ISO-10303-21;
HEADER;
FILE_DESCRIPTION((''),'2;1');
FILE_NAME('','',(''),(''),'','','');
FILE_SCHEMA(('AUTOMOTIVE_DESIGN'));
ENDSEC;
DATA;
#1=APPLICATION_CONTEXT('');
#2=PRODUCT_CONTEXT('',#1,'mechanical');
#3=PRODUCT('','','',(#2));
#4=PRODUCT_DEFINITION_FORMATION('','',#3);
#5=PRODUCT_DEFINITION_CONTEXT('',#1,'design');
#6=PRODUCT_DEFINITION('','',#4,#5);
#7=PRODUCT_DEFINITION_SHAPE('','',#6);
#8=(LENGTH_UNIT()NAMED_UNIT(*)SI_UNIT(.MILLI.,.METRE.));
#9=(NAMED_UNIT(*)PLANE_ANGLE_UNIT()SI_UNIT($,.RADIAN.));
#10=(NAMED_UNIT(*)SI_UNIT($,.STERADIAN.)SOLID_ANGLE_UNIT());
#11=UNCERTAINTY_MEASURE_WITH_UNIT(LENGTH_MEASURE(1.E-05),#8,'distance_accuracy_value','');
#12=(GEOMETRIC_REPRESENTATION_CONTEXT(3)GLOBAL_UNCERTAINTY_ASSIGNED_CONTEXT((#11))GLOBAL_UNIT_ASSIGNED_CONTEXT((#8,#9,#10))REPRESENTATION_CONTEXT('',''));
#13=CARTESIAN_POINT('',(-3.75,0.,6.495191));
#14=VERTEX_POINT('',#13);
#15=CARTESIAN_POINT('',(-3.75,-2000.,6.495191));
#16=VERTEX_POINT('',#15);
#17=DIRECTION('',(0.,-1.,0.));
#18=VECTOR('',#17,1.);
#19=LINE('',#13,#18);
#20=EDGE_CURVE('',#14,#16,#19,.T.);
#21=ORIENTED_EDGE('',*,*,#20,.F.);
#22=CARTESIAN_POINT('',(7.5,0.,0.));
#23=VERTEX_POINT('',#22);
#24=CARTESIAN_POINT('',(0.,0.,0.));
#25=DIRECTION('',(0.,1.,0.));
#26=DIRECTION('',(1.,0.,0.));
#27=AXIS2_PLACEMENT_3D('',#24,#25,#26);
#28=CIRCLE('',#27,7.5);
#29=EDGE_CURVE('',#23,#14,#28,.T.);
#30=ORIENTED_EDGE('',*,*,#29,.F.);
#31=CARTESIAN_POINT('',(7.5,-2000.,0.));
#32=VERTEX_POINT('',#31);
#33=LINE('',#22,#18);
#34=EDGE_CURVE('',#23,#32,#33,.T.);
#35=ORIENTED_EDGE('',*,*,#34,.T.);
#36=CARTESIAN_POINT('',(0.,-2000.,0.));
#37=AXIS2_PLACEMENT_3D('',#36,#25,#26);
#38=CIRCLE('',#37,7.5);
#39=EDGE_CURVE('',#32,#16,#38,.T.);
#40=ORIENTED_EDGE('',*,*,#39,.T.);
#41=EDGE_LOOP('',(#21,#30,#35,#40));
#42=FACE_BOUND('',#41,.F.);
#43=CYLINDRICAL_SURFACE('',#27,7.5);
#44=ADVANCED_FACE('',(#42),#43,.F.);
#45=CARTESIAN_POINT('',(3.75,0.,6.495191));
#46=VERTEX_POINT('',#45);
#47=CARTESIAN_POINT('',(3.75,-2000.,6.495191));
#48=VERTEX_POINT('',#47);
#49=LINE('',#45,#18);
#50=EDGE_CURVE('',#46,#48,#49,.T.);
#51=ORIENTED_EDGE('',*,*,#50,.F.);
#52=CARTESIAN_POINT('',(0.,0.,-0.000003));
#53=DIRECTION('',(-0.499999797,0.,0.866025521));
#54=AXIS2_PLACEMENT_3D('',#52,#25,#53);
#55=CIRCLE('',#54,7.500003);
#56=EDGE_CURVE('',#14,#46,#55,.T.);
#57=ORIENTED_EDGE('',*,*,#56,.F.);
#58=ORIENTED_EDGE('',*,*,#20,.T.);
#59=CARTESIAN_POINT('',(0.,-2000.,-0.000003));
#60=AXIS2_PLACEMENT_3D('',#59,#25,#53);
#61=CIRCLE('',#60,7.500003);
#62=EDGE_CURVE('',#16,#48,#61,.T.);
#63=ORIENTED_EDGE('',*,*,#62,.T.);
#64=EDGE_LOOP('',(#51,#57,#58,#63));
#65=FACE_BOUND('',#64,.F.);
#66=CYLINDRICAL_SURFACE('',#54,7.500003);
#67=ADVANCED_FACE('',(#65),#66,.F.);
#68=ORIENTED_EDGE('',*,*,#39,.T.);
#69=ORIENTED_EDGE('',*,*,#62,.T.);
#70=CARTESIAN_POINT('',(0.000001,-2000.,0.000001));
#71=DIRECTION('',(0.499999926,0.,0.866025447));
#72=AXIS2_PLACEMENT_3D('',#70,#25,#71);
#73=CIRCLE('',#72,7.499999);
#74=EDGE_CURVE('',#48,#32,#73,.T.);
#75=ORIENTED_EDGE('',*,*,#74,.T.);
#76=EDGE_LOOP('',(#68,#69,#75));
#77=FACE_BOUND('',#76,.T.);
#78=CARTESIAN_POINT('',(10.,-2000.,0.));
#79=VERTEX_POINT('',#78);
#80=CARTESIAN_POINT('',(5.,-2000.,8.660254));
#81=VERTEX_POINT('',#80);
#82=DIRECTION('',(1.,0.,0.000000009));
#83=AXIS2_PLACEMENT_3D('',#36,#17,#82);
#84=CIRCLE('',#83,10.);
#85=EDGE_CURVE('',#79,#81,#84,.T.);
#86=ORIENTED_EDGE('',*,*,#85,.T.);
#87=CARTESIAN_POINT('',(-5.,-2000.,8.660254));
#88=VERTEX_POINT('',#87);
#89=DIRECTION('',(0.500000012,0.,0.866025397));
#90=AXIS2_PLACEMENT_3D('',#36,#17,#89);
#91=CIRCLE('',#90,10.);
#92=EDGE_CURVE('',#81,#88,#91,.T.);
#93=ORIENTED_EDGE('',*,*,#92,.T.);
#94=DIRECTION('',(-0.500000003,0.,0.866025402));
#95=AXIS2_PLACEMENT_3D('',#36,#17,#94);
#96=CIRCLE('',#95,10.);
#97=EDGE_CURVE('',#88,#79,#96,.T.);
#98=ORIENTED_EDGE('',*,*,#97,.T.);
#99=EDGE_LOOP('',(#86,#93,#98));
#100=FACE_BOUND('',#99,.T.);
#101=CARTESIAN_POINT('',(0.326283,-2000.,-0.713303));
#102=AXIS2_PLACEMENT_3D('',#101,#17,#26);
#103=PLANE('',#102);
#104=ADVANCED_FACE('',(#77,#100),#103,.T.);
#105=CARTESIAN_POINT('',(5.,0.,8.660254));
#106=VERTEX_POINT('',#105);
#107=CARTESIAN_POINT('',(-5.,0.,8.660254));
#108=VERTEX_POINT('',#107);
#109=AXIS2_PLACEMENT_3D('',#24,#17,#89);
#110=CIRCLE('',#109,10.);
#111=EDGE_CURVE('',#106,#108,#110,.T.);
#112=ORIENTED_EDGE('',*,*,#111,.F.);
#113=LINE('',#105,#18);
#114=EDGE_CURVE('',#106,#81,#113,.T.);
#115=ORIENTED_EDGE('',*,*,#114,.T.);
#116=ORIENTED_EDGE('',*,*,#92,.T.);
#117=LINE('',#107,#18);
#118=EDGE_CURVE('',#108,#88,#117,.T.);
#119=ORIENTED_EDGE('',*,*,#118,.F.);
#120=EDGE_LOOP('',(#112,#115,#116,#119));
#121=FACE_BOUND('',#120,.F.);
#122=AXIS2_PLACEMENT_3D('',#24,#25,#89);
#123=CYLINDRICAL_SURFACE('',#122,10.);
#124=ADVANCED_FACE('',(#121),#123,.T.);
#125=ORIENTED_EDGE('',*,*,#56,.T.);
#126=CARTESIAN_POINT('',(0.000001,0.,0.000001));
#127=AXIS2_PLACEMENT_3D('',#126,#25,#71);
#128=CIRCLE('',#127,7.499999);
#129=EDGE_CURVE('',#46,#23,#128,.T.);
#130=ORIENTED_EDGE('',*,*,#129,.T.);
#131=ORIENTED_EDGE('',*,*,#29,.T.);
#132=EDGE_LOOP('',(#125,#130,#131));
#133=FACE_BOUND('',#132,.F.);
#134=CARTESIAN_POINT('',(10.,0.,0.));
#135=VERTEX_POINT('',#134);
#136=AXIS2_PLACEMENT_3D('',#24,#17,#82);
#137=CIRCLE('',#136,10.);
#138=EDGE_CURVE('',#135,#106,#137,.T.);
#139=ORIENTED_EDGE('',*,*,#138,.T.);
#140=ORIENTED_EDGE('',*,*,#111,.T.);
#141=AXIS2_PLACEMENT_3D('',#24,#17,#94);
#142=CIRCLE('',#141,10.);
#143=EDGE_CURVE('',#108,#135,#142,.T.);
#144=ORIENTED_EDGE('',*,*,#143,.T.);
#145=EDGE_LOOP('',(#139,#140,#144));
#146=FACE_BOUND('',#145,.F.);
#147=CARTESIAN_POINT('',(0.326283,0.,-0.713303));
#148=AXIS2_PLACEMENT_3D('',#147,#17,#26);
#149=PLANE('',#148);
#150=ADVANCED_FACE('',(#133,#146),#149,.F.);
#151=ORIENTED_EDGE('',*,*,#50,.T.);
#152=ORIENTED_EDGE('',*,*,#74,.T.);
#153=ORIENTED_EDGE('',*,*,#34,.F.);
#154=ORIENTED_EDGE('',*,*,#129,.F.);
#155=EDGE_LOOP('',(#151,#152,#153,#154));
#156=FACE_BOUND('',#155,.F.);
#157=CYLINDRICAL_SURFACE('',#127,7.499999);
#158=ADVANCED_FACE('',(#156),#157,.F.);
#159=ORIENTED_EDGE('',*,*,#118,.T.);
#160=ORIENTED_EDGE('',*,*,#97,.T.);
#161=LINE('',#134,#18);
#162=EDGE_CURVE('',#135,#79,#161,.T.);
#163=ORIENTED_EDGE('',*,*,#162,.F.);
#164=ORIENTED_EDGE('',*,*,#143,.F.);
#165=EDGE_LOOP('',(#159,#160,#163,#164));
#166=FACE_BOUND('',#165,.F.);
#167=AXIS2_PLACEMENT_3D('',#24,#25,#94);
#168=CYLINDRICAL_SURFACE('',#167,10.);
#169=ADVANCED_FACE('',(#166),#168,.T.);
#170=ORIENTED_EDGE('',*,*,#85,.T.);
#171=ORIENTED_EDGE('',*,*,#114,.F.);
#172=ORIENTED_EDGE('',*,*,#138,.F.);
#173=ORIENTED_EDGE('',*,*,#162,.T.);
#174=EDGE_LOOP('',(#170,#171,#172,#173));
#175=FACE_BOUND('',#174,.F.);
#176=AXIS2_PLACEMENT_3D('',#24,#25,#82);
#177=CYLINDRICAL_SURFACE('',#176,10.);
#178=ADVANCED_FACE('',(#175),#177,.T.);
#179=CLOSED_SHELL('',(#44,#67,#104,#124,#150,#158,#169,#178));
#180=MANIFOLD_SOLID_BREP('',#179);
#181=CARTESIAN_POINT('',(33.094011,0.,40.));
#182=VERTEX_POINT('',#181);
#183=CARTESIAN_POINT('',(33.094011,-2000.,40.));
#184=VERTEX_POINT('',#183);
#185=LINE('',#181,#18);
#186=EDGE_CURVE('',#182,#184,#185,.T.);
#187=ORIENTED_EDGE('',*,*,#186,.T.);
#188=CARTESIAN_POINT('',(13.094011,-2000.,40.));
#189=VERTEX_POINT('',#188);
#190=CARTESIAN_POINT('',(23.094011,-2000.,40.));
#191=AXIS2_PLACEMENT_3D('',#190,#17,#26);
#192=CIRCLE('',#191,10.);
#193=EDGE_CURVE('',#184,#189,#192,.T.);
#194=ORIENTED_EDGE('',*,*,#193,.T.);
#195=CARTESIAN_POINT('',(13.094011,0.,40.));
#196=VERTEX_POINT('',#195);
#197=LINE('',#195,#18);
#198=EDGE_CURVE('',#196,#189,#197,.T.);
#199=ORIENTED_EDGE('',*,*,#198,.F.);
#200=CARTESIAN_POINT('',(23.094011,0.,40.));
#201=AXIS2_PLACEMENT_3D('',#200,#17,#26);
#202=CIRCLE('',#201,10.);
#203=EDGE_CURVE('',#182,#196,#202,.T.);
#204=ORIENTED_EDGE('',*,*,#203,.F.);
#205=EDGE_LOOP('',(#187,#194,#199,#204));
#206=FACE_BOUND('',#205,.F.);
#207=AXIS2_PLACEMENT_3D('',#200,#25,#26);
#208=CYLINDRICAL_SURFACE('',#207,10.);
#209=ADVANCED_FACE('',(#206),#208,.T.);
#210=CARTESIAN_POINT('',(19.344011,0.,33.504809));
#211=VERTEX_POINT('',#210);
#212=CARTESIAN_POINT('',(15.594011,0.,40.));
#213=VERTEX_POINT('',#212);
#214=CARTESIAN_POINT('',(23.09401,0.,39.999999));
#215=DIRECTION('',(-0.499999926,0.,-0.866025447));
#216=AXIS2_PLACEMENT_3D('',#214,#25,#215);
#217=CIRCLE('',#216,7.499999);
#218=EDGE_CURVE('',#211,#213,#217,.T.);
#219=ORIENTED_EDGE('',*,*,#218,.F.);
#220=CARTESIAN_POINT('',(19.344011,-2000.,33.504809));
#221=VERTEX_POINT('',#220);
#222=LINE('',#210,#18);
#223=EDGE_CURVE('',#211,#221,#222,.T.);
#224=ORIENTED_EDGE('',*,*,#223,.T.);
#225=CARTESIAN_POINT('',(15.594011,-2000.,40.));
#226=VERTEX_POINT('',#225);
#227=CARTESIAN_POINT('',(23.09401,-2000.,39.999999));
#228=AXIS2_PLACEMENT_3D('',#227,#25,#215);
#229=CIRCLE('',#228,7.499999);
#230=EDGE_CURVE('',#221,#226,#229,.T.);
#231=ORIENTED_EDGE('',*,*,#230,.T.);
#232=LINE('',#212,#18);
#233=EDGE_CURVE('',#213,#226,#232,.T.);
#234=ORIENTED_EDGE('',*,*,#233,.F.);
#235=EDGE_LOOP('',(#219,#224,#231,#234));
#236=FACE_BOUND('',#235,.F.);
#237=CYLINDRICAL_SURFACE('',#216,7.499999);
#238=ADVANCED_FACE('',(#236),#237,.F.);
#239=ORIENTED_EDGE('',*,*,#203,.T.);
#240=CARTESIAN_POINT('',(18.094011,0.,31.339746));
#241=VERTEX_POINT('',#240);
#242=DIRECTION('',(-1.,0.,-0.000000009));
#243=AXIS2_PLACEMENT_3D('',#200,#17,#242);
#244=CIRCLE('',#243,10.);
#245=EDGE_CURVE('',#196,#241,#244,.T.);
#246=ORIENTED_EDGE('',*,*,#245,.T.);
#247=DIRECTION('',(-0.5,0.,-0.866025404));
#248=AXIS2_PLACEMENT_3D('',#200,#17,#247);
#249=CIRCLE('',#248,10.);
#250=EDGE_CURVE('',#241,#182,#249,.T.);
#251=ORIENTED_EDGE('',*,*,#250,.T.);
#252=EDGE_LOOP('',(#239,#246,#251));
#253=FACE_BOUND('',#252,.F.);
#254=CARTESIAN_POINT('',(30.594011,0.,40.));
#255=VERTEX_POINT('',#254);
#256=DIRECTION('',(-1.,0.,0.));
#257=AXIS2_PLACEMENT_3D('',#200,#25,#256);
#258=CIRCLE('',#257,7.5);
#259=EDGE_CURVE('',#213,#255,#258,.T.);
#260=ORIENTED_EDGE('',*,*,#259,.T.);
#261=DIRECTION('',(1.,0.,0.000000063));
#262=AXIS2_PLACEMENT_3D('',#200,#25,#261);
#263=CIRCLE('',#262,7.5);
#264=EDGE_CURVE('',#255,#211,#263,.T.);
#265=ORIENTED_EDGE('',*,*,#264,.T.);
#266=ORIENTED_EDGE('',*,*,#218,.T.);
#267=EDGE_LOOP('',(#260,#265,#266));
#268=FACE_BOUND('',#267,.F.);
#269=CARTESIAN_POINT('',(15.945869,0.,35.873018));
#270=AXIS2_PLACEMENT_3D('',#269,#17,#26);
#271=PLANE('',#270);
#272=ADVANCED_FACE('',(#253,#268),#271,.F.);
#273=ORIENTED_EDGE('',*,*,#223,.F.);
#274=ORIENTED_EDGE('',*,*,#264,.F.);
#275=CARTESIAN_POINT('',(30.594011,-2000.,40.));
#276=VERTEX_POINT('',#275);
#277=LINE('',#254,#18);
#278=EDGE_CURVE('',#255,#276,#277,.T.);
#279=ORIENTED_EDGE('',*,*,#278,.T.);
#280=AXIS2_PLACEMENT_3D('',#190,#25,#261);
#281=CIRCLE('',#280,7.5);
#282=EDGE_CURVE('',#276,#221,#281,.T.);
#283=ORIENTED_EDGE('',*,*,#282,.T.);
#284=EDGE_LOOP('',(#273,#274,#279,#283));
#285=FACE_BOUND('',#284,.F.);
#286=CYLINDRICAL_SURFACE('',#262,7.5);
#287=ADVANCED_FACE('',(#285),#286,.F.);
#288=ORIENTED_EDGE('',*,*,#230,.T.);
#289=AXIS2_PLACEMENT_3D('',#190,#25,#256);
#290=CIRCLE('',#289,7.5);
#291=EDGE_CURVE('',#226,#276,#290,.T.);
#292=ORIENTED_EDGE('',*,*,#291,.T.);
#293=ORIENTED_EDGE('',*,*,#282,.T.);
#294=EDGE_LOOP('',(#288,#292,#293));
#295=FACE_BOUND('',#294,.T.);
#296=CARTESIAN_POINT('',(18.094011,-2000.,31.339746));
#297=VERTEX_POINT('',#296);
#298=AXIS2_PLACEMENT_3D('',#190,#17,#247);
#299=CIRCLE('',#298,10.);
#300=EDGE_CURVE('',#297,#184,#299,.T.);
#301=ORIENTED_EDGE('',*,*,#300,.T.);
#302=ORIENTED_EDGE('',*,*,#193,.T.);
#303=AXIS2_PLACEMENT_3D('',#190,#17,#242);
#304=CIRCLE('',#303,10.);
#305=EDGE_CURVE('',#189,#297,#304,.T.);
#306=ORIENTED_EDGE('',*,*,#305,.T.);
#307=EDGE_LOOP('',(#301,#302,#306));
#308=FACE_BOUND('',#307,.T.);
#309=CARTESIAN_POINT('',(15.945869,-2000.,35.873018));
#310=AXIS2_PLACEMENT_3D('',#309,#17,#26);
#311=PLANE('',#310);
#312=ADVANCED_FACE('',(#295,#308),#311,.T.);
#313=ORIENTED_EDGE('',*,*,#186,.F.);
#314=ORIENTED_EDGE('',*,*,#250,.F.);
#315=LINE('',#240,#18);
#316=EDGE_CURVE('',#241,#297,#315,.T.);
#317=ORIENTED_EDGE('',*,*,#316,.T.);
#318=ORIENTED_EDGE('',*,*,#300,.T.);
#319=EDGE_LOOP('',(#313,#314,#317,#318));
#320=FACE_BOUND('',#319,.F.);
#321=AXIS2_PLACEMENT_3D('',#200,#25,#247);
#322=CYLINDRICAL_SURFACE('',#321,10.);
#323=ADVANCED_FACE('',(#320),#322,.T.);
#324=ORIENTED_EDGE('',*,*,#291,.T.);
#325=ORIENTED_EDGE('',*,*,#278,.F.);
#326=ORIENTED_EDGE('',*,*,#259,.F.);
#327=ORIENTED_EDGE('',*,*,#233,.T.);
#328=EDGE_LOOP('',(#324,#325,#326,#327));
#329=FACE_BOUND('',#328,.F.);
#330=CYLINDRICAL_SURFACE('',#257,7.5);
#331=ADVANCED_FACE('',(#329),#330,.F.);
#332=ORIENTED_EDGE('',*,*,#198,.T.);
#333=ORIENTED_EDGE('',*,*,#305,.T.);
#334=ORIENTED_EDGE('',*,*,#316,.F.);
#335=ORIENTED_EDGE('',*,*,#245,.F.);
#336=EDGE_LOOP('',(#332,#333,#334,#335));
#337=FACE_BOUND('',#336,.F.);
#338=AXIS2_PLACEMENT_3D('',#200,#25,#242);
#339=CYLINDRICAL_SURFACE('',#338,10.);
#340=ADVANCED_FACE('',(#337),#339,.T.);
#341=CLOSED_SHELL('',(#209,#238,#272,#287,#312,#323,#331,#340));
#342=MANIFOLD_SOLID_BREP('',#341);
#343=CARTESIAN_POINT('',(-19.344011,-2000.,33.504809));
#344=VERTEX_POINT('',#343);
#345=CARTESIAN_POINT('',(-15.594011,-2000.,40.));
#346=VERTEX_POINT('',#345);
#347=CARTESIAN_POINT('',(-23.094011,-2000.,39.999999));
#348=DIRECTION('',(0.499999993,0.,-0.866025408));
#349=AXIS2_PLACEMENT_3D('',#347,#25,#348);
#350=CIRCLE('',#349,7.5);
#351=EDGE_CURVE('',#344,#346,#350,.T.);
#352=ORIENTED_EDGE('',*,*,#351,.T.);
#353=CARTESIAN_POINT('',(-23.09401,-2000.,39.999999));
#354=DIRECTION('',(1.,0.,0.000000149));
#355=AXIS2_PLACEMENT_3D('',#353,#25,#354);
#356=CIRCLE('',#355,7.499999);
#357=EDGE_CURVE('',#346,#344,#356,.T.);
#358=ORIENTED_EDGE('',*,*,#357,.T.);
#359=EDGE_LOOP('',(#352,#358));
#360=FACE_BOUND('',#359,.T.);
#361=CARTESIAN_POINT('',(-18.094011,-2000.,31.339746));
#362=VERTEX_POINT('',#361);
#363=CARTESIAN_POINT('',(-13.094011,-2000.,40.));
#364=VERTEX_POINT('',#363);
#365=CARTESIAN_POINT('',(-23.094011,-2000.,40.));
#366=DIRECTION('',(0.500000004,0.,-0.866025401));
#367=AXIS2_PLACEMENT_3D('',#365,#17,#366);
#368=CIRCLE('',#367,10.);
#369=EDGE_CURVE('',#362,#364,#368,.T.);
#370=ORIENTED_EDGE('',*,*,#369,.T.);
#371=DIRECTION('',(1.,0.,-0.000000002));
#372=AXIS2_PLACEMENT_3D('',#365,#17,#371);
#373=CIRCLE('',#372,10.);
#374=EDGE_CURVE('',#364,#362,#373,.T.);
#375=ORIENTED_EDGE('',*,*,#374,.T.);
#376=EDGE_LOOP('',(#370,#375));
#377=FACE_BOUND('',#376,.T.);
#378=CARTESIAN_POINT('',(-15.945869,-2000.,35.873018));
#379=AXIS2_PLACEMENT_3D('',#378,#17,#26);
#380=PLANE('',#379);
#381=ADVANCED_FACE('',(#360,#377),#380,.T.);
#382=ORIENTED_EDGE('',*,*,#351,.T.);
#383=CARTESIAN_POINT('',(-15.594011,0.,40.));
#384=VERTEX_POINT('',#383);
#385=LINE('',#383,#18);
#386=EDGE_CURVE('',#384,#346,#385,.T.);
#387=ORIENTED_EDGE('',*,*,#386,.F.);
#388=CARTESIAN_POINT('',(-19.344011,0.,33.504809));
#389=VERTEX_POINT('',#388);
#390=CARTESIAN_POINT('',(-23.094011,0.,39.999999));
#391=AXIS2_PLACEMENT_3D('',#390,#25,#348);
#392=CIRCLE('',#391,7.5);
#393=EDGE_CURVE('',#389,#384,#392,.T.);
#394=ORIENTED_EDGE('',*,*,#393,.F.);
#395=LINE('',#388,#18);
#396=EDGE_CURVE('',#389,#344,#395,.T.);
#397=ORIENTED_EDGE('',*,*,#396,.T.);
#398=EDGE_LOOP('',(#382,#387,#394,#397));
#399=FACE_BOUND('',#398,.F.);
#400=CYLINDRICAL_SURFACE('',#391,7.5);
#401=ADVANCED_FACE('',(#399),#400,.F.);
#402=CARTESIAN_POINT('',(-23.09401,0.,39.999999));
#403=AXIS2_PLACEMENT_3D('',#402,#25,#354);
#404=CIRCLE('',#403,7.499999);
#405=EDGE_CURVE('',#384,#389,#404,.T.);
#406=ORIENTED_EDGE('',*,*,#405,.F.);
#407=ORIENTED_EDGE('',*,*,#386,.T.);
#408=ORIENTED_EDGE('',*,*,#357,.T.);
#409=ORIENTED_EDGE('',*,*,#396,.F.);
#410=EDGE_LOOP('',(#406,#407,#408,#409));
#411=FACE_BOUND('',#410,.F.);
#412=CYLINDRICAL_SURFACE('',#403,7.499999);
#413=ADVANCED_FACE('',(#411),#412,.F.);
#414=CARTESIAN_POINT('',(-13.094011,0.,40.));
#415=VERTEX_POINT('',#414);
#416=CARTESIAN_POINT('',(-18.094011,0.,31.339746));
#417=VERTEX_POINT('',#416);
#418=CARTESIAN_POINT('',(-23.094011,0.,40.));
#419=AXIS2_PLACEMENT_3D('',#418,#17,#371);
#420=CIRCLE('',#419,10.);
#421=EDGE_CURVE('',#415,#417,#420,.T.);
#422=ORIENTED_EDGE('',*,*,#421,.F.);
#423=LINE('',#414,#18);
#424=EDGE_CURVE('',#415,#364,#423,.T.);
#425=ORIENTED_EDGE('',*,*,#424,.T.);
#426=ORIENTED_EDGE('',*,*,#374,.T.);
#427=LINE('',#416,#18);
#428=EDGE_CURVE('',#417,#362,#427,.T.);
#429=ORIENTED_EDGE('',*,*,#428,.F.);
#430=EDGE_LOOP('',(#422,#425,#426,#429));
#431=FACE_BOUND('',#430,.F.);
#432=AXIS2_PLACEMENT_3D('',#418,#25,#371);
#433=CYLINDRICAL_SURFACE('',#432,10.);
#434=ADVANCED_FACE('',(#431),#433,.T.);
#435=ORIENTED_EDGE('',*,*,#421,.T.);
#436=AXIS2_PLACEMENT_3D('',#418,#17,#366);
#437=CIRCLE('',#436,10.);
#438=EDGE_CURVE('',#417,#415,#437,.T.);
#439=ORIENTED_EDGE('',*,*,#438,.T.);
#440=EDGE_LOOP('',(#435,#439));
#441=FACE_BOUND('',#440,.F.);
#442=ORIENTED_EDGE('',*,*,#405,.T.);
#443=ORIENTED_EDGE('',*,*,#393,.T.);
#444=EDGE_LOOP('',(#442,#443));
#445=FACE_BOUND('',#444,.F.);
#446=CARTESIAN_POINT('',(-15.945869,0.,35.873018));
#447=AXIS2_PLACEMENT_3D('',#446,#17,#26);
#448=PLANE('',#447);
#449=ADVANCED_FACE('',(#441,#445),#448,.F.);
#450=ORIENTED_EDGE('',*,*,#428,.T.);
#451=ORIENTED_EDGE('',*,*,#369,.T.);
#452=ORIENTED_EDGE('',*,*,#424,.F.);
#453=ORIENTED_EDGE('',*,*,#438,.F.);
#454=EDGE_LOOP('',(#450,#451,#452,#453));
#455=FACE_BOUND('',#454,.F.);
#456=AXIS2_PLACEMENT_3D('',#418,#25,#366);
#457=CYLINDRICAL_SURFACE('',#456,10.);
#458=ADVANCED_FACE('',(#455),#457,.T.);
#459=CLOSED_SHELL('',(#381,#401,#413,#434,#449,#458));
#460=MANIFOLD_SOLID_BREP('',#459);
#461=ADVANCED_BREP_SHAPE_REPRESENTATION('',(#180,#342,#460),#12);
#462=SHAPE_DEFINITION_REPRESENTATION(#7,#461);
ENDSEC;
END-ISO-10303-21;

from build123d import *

# Parameters (mm, degrees)
F1_DEPTH = 2000


with BuildPart() as f1:
    # F0 (on Front) → F1 (new body)
    with BuildSketch(Plane.XZ):
        with BuildLine():
            Line((-19.344011, 33.504809), (-18.094011, 31.339746))
            ThreePointArc((-18.094011, 31.339746), (-14.433757, 35), (-13.094011, 40))
            Line((-13.094011, 40), (-15.594011, 40))
            ThreePointArc((-15.594011, 40), (-16.59882, 36.25), (-19.344011, 33.504809))
        make_face()
        with BuildLine():
            ThreePointArc((-13.094011, 40), (-31.754265, 45), (-18.094011, 31.339746))
            Line((-18.094011, 31.339746), (-19.344011, 33.504809))
            ThreePointArc((-19.344011, 33.504809), (-29.589201, 43.75), (-15.594011, 40))
            Line((-15.594011, 40), (-13.094011, 40))
        make_face()
        with BuildLine():
            ThreePointArc((13.094011, 40), (14.433757, 35), (18.094011, 31.339746))
            Line((18.094011, 31.339746), (19.344011, 33.504809))
            ThreePointArc((19.344011, 33.504809), (16.59882, 36.25), (15.594011, 40))
            Line((15.594011, 40), (13.094011, 40))
        make_face()
        with BuildLine():
            Line((19.344011, 33.504809), (18.094011, 31.339746))
            ThreePointArc((18.094011, 31.339746), (28.094011, 31.339746), (33.094011, 40))
            ThreePointArc((33.094011, 40), (23.094011, 50), (13.094011, 40))
            Line((13.094011, 40), (15.594011, 40))
            ThreePointArc((15.594011, 40), (23.094011, 47.5), (30.594011, 40))
            ThreePointArc((30.594011, 40), (26.844011, 33.504809), (19.344011, 33.504809))
        make_face()
        with BuildLine():
            ThreePointArc((-5, 8.660254), (-5, -8.660254), (10, 0))
            ThreePointArc((10, 0), (8.660254, 5), (5, 8.660254))
            Line((5, 8.660254), (3.75, 6.495191))
            ThreePointArc((3.75, 6.495191), (6.495191, 3.75), (7.5, 0))
            ThreePointArc((7.5, 0), (-3.75, -6.495191), (-3.75, 6.495191))
            Line((-3.75, 6.495191), (-5, 8.660254))
        make_face()
        with BuildLine():
            Line((3.75, 6.495191), (5, 8.660254))
            ThreePointArc((5, 8.660254), (0, 10), (-5, 8.660254))
            Line((-5, 8.660254), (-3.75, 6.495191))
            ThreePointArc((-3.75, 6.495191), (0, 7.5), (3.75, 6.495191))
        make_face()
    extrude(amount=F1_DEPTH)


solid = f1.part
